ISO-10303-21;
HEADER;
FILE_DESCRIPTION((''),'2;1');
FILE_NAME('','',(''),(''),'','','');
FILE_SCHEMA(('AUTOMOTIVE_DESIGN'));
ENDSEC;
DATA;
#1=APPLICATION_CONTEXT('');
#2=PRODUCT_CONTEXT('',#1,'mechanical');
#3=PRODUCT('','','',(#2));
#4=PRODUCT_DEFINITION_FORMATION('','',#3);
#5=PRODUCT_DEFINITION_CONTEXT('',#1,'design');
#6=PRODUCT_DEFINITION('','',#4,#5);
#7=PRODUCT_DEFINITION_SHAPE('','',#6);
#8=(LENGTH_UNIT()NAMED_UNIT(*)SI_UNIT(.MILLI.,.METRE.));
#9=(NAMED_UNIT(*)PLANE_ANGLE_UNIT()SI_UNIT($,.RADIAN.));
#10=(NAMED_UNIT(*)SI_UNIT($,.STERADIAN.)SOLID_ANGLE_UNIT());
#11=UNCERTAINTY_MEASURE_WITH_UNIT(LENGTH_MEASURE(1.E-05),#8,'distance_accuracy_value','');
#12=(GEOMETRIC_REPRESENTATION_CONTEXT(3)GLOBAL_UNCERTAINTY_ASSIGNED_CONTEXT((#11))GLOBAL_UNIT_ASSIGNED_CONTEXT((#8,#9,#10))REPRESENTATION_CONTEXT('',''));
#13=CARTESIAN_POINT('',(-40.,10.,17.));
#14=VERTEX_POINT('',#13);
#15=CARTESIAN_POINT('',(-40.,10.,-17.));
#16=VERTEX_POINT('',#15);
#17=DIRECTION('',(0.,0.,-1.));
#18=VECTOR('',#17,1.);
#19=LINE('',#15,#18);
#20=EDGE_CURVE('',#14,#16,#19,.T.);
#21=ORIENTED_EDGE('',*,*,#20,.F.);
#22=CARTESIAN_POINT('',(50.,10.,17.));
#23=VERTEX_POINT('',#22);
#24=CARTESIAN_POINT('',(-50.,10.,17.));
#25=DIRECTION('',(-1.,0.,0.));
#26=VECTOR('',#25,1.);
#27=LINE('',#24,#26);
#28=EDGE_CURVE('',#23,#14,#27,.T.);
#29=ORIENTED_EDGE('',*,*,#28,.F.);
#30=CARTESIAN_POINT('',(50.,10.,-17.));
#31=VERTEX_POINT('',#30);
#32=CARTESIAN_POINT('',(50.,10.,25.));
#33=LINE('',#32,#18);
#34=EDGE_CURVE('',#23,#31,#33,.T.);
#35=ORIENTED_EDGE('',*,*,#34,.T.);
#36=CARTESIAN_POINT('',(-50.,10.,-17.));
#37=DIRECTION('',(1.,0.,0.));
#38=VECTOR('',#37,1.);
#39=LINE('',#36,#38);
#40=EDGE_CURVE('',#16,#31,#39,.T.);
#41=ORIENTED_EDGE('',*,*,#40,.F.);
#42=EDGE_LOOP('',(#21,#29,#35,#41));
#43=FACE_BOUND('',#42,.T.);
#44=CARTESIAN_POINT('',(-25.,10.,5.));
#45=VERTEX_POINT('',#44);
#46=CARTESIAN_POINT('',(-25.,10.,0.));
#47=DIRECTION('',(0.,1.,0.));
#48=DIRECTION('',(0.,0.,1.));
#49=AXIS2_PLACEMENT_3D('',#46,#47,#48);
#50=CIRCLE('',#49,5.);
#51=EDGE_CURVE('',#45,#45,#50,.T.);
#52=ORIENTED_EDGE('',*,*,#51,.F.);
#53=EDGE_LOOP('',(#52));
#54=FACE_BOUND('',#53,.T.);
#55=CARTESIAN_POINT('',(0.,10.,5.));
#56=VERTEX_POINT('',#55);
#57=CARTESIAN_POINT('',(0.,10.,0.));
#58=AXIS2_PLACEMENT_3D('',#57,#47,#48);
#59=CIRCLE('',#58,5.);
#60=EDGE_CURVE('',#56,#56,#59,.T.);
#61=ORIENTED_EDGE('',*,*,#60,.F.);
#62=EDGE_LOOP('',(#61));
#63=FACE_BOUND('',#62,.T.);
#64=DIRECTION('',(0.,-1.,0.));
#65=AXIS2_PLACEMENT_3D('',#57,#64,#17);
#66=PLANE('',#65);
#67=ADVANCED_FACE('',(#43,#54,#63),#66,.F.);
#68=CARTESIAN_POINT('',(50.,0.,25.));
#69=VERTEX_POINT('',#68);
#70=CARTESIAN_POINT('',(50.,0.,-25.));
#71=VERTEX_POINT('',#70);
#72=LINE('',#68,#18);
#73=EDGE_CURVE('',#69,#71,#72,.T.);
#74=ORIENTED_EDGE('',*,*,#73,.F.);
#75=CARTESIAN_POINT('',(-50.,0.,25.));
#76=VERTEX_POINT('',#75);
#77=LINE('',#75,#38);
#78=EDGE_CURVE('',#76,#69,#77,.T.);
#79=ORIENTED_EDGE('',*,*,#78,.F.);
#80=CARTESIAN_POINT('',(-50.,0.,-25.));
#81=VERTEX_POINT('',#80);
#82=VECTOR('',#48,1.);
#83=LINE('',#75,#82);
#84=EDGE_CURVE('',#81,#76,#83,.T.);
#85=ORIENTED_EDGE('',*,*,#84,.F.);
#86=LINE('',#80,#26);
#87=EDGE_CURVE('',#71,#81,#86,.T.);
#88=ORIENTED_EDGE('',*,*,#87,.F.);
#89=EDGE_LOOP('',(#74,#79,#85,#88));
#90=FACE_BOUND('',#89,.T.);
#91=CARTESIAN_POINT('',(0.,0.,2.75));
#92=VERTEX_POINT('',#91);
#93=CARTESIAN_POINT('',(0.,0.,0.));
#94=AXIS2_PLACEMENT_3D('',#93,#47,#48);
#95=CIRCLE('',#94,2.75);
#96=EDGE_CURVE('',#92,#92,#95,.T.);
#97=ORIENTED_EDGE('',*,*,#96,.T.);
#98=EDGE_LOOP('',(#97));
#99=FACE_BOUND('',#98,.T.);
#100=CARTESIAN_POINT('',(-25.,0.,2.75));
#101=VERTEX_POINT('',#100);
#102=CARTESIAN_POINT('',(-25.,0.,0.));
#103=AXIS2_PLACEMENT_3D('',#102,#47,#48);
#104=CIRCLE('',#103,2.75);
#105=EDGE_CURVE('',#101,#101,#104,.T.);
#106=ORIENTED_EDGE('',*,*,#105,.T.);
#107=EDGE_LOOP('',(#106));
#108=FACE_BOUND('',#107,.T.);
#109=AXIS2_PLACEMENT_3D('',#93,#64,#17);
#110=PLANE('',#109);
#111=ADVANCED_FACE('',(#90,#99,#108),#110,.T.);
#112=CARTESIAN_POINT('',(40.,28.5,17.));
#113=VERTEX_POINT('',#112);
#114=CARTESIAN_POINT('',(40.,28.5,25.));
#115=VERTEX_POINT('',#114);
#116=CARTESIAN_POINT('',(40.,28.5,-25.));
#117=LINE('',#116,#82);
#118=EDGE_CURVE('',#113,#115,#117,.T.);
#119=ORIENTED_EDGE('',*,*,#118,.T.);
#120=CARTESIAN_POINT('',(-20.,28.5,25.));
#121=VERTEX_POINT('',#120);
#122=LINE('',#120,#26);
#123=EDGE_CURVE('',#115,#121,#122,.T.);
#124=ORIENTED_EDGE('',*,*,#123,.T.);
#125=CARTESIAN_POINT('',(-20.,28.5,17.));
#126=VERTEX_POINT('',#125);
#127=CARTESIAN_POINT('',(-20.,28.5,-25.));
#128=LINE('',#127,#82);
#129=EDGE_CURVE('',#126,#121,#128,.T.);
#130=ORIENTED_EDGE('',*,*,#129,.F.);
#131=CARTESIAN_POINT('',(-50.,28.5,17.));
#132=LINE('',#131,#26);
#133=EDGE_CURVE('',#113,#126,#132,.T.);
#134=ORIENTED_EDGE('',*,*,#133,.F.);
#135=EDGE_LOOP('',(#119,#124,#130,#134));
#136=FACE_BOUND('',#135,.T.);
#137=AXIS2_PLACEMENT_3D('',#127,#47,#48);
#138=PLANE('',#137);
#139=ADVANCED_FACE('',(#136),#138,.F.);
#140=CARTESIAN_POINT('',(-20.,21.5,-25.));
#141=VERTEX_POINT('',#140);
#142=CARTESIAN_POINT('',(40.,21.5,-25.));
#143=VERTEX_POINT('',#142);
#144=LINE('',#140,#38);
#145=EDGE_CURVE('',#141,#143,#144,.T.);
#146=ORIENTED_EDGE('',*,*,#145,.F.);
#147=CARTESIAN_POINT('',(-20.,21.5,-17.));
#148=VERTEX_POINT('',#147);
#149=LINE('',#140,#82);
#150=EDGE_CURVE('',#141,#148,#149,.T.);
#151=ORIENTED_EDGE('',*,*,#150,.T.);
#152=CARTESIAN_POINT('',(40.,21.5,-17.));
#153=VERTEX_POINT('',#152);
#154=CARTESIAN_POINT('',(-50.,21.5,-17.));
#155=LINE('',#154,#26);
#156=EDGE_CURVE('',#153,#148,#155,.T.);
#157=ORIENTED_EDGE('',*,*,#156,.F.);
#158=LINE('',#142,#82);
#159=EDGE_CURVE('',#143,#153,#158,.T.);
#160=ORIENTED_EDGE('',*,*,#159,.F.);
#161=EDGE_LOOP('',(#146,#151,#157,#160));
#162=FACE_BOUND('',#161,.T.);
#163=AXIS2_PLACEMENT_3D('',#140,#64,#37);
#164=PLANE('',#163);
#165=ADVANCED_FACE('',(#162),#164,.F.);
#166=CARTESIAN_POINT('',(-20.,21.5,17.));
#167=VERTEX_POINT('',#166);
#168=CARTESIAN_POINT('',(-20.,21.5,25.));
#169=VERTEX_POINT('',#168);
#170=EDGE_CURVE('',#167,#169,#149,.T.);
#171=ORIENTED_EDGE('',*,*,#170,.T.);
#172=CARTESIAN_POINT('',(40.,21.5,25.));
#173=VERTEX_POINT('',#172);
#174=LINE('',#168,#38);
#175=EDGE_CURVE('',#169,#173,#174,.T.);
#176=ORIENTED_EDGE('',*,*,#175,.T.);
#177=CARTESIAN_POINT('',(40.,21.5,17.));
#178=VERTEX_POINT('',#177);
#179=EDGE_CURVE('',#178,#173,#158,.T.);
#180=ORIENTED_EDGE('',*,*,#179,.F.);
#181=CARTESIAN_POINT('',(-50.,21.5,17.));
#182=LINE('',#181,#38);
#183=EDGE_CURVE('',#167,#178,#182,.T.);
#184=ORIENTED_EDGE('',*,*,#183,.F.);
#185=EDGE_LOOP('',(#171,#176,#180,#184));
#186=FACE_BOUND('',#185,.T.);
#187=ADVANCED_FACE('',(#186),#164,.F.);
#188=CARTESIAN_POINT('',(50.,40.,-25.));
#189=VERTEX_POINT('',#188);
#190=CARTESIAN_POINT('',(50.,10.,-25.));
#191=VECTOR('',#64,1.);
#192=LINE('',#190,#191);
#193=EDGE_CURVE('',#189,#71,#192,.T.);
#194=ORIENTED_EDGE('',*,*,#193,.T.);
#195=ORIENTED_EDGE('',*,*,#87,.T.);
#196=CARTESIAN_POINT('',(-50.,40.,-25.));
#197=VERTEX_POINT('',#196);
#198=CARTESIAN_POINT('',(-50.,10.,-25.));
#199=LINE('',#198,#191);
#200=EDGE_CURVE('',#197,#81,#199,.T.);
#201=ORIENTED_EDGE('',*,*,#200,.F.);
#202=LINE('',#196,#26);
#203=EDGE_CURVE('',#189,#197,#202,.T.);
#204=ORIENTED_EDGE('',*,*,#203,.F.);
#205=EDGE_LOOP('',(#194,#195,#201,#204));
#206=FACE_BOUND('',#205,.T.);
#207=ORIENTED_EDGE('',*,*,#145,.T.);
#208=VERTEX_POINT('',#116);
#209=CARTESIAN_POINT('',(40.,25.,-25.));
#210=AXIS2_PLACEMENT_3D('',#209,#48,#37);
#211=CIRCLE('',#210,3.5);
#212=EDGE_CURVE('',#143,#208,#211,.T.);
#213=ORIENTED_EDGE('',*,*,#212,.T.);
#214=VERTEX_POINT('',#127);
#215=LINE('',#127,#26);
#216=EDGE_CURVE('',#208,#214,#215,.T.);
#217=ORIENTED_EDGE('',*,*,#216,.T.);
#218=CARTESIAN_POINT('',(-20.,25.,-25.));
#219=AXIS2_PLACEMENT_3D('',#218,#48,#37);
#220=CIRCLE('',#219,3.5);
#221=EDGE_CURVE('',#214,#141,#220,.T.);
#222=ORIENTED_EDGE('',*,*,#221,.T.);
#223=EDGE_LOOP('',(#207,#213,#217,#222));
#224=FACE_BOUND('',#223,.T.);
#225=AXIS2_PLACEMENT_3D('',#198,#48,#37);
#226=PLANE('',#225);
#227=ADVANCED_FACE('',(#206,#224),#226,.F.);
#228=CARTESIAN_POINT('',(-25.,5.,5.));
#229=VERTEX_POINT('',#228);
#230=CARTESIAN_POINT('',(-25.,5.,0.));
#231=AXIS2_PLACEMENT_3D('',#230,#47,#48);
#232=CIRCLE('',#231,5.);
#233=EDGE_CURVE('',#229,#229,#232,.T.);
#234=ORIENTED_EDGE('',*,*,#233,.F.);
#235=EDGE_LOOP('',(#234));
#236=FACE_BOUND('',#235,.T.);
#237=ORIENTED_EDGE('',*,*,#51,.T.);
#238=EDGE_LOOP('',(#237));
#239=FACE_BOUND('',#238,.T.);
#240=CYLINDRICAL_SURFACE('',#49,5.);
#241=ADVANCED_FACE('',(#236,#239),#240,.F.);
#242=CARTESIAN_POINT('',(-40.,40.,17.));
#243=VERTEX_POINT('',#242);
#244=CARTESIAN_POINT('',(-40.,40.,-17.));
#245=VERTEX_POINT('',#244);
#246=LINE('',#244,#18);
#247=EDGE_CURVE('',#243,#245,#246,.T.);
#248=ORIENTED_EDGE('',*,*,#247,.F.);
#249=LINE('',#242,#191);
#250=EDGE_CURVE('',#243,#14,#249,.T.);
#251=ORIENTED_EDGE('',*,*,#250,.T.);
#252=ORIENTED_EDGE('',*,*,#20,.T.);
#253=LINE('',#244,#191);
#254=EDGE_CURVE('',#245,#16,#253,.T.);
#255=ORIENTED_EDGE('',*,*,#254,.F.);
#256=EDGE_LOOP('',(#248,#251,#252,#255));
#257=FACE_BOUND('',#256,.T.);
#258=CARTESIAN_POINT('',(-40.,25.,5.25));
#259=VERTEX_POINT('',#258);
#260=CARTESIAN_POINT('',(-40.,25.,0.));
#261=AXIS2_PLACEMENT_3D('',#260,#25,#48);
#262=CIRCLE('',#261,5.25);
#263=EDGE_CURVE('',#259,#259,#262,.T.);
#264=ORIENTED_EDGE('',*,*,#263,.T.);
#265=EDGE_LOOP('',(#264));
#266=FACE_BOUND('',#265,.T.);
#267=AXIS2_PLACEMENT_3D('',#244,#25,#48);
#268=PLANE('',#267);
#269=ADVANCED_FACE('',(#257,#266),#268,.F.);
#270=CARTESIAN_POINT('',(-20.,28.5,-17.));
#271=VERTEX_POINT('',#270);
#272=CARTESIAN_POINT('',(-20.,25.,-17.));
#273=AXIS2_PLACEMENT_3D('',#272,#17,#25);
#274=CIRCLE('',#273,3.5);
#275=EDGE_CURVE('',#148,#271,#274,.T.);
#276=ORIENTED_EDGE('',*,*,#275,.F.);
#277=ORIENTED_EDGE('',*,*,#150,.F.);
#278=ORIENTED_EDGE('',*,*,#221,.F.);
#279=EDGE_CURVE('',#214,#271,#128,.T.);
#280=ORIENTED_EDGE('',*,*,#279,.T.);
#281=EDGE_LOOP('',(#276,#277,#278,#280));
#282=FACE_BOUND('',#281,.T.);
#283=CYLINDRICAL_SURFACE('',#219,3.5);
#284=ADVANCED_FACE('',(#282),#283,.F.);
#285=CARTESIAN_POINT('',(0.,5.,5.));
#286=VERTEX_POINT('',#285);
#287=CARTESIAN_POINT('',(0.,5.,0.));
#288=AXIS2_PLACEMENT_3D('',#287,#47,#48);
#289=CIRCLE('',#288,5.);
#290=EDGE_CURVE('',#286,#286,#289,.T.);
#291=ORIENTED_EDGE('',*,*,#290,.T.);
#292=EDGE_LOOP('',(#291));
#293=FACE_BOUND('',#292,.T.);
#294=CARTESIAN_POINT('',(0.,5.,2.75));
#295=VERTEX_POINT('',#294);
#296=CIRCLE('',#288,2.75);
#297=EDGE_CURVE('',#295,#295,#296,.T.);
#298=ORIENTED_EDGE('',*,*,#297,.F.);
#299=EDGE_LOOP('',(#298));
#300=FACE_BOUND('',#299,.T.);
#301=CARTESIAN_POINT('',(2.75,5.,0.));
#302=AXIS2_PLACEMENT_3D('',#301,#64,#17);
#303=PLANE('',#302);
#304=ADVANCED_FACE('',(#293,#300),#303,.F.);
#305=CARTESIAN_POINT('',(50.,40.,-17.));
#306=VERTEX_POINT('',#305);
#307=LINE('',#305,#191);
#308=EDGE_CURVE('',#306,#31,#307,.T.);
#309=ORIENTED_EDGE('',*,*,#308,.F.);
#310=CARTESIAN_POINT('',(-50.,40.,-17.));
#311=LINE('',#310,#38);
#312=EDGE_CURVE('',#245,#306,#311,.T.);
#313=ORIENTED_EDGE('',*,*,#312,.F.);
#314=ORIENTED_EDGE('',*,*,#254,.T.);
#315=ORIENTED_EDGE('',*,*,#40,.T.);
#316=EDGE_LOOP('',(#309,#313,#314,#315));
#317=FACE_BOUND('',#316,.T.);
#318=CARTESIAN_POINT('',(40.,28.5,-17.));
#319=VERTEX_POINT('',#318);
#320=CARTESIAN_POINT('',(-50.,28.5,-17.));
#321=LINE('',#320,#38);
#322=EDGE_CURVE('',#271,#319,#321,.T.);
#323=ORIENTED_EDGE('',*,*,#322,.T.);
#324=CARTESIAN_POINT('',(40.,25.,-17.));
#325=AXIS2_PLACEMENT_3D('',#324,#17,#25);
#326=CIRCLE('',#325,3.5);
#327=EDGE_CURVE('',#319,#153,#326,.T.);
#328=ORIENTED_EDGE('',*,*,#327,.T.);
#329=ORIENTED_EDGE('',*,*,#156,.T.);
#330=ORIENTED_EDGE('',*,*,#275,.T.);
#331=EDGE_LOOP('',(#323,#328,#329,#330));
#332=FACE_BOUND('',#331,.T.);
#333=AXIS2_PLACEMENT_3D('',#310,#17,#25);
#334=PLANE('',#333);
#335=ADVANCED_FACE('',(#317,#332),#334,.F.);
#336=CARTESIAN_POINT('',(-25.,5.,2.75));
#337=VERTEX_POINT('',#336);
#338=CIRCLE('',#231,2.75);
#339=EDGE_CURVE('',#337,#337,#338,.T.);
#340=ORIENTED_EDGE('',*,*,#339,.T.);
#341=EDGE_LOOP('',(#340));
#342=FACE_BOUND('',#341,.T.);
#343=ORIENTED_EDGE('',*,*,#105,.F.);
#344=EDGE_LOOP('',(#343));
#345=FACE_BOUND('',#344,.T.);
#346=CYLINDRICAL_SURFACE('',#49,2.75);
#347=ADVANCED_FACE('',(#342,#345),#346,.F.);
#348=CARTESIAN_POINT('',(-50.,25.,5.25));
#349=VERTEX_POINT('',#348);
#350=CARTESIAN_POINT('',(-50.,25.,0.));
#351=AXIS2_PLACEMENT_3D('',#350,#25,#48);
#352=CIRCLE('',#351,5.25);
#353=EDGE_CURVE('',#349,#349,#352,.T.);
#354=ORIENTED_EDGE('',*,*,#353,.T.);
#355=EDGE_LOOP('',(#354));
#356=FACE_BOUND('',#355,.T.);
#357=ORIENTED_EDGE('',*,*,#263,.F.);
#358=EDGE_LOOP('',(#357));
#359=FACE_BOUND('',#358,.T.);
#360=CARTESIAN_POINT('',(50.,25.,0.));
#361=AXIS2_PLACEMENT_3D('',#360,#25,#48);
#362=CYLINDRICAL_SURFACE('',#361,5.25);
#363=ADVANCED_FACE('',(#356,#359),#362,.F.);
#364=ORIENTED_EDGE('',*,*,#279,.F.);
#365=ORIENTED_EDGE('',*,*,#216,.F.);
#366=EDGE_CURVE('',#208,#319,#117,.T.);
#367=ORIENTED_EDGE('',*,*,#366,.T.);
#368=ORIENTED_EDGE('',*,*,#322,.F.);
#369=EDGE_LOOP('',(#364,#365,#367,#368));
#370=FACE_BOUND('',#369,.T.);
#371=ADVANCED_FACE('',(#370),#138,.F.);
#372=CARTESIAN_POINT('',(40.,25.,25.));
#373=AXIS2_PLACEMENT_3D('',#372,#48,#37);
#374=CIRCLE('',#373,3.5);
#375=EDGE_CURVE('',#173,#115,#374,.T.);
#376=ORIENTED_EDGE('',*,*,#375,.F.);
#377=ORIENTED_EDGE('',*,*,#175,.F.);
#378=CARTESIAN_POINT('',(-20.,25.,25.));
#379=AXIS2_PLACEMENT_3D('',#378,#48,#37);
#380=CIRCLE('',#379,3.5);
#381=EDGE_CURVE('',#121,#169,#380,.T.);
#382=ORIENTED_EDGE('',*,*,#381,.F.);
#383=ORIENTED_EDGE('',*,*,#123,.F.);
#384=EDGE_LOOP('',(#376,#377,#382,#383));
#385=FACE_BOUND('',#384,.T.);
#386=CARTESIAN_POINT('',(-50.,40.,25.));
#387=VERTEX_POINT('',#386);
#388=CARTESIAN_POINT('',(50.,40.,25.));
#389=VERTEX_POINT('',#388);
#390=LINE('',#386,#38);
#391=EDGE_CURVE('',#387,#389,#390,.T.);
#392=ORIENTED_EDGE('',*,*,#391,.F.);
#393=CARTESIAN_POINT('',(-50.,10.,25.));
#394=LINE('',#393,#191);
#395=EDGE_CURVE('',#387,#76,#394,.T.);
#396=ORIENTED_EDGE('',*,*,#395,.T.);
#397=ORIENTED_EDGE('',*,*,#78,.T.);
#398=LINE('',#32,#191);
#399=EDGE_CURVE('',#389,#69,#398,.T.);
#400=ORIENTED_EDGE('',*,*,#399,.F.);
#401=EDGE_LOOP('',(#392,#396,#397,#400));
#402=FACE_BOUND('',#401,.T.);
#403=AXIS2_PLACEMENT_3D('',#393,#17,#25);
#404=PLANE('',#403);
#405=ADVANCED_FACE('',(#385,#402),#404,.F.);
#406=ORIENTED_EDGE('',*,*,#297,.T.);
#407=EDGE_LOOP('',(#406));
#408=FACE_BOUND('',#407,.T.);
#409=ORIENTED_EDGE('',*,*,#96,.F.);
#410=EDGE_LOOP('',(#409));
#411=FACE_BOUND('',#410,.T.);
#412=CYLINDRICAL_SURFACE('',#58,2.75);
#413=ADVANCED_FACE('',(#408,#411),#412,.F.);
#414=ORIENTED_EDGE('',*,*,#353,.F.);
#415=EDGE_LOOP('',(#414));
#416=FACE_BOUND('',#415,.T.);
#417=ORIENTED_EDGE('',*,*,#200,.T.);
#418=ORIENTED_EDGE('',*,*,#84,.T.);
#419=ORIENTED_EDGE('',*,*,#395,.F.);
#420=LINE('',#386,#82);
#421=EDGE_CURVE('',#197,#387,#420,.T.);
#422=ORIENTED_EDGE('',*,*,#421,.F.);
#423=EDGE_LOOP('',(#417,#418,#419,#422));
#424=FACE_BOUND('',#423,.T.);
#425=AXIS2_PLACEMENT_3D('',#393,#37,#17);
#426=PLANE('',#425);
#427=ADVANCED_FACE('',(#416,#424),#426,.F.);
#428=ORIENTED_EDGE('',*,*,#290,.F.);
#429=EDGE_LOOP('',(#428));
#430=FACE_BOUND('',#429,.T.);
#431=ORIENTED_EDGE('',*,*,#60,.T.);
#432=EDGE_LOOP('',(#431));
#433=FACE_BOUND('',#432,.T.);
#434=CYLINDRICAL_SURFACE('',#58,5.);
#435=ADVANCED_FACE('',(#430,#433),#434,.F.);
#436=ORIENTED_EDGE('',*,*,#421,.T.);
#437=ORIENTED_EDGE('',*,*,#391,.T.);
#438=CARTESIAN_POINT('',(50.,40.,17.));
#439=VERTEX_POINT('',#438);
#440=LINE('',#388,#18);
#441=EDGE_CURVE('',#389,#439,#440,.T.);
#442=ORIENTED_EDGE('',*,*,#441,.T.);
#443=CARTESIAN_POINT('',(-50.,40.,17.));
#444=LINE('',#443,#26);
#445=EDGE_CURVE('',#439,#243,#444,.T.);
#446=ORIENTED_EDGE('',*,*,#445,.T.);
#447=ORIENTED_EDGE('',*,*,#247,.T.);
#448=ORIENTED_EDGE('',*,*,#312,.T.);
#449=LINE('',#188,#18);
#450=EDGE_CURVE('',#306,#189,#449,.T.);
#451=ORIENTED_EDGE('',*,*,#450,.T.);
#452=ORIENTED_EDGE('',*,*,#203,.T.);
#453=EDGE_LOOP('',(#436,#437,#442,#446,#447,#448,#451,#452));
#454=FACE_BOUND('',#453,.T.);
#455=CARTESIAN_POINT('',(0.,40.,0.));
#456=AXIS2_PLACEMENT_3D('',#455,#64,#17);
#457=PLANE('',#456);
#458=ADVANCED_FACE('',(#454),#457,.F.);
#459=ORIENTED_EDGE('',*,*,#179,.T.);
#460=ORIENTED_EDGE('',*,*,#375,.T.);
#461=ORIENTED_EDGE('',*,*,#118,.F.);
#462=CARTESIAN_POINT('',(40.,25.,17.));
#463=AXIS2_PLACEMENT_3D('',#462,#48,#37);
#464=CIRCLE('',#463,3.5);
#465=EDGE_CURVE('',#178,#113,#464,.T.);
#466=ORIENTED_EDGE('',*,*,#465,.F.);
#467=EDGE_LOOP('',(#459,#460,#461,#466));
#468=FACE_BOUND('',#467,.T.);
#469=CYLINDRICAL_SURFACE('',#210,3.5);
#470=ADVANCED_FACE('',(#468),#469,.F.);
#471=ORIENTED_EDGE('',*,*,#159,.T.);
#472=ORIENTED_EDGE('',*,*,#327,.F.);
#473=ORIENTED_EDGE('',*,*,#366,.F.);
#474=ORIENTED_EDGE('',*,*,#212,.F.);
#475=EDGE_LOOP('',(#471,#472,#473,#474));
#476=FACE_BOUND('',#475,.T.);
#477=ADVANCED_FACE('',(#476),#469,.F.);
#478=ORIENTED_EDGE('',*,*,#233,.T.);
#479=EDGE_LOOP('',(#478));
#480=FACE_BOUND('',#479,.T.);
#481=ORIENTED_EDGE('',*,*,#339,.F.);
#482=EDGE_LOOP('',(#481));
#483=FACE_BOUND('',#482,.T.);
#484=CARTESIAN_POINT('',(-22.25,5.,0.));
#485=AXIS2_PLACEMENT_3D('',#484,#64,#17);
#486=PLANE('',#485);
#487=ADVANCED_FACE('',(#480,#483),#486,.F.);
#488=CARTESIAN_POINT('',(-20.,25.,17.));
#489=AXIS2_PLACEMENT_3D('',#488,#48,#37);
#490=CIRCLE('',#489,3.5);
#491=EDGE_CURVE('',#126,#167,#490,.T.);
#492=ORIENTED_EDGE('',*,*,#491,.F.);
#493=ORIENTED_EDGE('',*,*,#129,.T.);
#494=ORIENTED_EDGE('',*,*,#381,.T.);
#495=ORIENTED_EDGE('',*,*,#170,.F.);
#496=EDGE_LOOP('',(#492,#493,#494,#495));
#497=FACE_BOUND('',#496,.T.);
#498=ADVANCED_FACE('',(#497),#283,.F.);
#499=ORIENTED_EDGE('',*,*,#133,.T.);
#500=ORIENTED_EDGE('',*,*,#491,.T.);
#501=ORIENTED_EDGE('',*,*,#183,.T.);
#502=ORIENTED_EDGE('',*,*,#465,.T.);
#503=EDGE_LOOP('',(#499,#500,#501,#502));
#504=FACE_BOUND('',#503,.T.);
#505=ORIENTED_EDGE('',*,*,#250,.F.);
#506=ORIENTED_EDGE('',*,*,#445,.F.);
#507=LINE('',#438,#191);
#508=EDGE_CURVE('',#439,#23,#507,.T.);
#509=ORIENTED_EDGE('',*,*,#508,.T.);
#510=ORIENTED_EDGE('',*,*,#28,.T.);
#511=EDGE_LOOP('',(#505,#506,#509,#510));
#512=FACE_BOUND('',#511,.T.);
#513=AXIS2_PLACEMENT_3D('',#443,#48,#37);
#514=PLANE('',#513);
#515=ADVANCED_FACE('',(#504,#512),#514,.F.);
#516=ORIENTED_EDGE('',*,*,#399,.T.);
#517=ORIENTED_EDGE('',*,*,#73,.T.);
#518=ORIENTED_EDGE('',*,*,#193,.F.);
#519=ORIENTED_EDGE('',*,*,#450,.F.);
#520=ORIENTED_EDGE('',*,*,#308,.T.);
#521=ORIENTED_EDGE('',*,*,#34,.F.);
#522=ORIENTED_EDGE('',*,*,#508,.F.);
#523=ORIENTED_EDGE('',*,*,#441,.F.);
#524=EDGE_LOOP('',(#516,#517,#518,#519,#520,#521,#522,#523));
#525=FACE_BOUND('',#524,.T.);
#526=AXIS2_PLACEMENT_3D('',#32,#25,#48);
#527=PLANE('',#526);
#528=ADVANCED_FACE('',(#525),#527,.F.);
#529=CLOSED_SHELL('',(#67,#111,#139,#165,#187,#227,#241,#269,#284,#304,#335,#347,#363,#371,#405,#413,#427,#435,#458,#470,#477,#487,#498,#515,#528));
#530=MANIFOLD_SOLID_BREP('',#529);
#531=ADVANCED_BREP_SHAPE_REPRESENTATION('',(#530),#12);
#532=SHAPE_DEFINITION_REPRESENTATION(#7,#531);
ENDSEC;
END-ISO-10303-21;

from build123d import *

# Parameters (mm, degrees)
ESQUISSE1_W                                        = 100
ESQUISSE1_H                                        = 50
BOSS_EXTRU_1_DEPTH                                 = 10
ESQUISSE2_W                                        = 100
ESQUISSE2_H                                        = 8
BOSS_EXTRU_2_DEPTH                                 = 30
ESQUISSE3_W                                        = 10
ESQUISSE3_H                                        = 34
BOSS_EXTRU_3_DEPTH                                 = 30
ESQUISSE5_R                                        = 5.25
ENL_V_MAT_EXTRU_1_DEPTH                            = 111.566721937
ENL_V_MAT_EXTRU_4_DEPTH                            = 82.240384046
CHAMBRAGE_POUR_VIS_T_TE_RONDE_BOMB_E_M_D           = 5.5
CHAMBRAGE_POUR_VIS_T_TE_RONDE_BOMB_E_M_CBORE_D     = 10
CHAMBRAGE_POUR_VIS_T_TE_RONDE_BOMB_E_M_CBORE_DEPTH = 5


with BuildPart() as part:
    # Esquisse1 → Boss.-Extru.1 (new body)
    with BuildSketch(Plane(origin=(0, 0, 0), x_dir=(1, 0, 0), z_dir=(0, 1, 0))):
        Rectangle(ESQUISSE1_W, ESQUISSE1_H)
    extrude(amount=BOSS_EXTRU_1_DEPTH)

    # Esquisse2 → Boss.-Extru.2 (add)
    with BuildSketch(Plane(origin=(0, 10, 0), x_dir=(1, 0, 0), z_dir=(0, 1, 0))):
        with Locations((0, -21)):
            Rectangle(ESQUISSE2_W, ESQUISSE2_H)
        with Locations((0, 21)):
            Rectangle(ESQUISSE2_W, ESQUISSE2_H)
    extrude(amount=BOSS_EXTRU_2_DEPTH)

    # Esquisse3 → Boss.-Extru.3 (add)
    with BuildSketch(Plane(origin=(0, 10, 0), x_dir=(1, 0, 0), z_dir=(0, 1, 0))):
        with Locations((-45, 0)):
            Rectangle(ESQUISSE3_W, ESQUISSE3_H)
    extrude(amount=BOSS_EXTRU_3_DEPTH)

    # Esquisse5 → Enlèv. mat.-Extru.1 (cut, through all)
    with BuildSketch(Plane.ZY.offset(50)):
        with Locations((0, 25)):
            Circle(ESQUISSE5_R)
    extrude(amount=-ENL_V_MAT_EXTRU_1_DEPTH, mode=Mode.SUBTRACT)

    # Esquisse8 → Enlèv. mat.-Extru.4 (cut, through all)
    with BuildSketch(Plane.XY.offset(25)):
        with BuildLine():
            Line((-20, 28.5), (40, 28.5))
            ThreePointArc((40, 28.5), (43.5, 25), (40, 21.5))
            Line((40, 21.5), (-20, 21.5))
            ThreePointArc((-20, 21.5), (-23.5, 25), (-20, 28.5))
        make_face()
    extrude(amount=-ENL_V_MAT_EXTRU_4_DEPTH, mode=Mode.SUBTRACT)

    # Chambrage pour vis à tête ronde bombée M51 (through all)
    with Locations(Plane(origin=(0, 10, 0), x_dir=(1, 0, 0), z_dir=(0, 1, 0))):
        with Locations((-25, 0), (0, 0)):
            CounterBoreHole(CHAMBRAGE_POUR_VIS_T_TE_RONDE_BOMB_E_M_D / 2, CHAMBRAGE_POUR_VIS_T_TE_RONDE_BOMB_E_M_CBORE_D / 2, CHAMBRAGE_POUR_VIS_T_TE_RONDE_BOMB_E_M_CBORE_DEPTH)


solid = part.part
